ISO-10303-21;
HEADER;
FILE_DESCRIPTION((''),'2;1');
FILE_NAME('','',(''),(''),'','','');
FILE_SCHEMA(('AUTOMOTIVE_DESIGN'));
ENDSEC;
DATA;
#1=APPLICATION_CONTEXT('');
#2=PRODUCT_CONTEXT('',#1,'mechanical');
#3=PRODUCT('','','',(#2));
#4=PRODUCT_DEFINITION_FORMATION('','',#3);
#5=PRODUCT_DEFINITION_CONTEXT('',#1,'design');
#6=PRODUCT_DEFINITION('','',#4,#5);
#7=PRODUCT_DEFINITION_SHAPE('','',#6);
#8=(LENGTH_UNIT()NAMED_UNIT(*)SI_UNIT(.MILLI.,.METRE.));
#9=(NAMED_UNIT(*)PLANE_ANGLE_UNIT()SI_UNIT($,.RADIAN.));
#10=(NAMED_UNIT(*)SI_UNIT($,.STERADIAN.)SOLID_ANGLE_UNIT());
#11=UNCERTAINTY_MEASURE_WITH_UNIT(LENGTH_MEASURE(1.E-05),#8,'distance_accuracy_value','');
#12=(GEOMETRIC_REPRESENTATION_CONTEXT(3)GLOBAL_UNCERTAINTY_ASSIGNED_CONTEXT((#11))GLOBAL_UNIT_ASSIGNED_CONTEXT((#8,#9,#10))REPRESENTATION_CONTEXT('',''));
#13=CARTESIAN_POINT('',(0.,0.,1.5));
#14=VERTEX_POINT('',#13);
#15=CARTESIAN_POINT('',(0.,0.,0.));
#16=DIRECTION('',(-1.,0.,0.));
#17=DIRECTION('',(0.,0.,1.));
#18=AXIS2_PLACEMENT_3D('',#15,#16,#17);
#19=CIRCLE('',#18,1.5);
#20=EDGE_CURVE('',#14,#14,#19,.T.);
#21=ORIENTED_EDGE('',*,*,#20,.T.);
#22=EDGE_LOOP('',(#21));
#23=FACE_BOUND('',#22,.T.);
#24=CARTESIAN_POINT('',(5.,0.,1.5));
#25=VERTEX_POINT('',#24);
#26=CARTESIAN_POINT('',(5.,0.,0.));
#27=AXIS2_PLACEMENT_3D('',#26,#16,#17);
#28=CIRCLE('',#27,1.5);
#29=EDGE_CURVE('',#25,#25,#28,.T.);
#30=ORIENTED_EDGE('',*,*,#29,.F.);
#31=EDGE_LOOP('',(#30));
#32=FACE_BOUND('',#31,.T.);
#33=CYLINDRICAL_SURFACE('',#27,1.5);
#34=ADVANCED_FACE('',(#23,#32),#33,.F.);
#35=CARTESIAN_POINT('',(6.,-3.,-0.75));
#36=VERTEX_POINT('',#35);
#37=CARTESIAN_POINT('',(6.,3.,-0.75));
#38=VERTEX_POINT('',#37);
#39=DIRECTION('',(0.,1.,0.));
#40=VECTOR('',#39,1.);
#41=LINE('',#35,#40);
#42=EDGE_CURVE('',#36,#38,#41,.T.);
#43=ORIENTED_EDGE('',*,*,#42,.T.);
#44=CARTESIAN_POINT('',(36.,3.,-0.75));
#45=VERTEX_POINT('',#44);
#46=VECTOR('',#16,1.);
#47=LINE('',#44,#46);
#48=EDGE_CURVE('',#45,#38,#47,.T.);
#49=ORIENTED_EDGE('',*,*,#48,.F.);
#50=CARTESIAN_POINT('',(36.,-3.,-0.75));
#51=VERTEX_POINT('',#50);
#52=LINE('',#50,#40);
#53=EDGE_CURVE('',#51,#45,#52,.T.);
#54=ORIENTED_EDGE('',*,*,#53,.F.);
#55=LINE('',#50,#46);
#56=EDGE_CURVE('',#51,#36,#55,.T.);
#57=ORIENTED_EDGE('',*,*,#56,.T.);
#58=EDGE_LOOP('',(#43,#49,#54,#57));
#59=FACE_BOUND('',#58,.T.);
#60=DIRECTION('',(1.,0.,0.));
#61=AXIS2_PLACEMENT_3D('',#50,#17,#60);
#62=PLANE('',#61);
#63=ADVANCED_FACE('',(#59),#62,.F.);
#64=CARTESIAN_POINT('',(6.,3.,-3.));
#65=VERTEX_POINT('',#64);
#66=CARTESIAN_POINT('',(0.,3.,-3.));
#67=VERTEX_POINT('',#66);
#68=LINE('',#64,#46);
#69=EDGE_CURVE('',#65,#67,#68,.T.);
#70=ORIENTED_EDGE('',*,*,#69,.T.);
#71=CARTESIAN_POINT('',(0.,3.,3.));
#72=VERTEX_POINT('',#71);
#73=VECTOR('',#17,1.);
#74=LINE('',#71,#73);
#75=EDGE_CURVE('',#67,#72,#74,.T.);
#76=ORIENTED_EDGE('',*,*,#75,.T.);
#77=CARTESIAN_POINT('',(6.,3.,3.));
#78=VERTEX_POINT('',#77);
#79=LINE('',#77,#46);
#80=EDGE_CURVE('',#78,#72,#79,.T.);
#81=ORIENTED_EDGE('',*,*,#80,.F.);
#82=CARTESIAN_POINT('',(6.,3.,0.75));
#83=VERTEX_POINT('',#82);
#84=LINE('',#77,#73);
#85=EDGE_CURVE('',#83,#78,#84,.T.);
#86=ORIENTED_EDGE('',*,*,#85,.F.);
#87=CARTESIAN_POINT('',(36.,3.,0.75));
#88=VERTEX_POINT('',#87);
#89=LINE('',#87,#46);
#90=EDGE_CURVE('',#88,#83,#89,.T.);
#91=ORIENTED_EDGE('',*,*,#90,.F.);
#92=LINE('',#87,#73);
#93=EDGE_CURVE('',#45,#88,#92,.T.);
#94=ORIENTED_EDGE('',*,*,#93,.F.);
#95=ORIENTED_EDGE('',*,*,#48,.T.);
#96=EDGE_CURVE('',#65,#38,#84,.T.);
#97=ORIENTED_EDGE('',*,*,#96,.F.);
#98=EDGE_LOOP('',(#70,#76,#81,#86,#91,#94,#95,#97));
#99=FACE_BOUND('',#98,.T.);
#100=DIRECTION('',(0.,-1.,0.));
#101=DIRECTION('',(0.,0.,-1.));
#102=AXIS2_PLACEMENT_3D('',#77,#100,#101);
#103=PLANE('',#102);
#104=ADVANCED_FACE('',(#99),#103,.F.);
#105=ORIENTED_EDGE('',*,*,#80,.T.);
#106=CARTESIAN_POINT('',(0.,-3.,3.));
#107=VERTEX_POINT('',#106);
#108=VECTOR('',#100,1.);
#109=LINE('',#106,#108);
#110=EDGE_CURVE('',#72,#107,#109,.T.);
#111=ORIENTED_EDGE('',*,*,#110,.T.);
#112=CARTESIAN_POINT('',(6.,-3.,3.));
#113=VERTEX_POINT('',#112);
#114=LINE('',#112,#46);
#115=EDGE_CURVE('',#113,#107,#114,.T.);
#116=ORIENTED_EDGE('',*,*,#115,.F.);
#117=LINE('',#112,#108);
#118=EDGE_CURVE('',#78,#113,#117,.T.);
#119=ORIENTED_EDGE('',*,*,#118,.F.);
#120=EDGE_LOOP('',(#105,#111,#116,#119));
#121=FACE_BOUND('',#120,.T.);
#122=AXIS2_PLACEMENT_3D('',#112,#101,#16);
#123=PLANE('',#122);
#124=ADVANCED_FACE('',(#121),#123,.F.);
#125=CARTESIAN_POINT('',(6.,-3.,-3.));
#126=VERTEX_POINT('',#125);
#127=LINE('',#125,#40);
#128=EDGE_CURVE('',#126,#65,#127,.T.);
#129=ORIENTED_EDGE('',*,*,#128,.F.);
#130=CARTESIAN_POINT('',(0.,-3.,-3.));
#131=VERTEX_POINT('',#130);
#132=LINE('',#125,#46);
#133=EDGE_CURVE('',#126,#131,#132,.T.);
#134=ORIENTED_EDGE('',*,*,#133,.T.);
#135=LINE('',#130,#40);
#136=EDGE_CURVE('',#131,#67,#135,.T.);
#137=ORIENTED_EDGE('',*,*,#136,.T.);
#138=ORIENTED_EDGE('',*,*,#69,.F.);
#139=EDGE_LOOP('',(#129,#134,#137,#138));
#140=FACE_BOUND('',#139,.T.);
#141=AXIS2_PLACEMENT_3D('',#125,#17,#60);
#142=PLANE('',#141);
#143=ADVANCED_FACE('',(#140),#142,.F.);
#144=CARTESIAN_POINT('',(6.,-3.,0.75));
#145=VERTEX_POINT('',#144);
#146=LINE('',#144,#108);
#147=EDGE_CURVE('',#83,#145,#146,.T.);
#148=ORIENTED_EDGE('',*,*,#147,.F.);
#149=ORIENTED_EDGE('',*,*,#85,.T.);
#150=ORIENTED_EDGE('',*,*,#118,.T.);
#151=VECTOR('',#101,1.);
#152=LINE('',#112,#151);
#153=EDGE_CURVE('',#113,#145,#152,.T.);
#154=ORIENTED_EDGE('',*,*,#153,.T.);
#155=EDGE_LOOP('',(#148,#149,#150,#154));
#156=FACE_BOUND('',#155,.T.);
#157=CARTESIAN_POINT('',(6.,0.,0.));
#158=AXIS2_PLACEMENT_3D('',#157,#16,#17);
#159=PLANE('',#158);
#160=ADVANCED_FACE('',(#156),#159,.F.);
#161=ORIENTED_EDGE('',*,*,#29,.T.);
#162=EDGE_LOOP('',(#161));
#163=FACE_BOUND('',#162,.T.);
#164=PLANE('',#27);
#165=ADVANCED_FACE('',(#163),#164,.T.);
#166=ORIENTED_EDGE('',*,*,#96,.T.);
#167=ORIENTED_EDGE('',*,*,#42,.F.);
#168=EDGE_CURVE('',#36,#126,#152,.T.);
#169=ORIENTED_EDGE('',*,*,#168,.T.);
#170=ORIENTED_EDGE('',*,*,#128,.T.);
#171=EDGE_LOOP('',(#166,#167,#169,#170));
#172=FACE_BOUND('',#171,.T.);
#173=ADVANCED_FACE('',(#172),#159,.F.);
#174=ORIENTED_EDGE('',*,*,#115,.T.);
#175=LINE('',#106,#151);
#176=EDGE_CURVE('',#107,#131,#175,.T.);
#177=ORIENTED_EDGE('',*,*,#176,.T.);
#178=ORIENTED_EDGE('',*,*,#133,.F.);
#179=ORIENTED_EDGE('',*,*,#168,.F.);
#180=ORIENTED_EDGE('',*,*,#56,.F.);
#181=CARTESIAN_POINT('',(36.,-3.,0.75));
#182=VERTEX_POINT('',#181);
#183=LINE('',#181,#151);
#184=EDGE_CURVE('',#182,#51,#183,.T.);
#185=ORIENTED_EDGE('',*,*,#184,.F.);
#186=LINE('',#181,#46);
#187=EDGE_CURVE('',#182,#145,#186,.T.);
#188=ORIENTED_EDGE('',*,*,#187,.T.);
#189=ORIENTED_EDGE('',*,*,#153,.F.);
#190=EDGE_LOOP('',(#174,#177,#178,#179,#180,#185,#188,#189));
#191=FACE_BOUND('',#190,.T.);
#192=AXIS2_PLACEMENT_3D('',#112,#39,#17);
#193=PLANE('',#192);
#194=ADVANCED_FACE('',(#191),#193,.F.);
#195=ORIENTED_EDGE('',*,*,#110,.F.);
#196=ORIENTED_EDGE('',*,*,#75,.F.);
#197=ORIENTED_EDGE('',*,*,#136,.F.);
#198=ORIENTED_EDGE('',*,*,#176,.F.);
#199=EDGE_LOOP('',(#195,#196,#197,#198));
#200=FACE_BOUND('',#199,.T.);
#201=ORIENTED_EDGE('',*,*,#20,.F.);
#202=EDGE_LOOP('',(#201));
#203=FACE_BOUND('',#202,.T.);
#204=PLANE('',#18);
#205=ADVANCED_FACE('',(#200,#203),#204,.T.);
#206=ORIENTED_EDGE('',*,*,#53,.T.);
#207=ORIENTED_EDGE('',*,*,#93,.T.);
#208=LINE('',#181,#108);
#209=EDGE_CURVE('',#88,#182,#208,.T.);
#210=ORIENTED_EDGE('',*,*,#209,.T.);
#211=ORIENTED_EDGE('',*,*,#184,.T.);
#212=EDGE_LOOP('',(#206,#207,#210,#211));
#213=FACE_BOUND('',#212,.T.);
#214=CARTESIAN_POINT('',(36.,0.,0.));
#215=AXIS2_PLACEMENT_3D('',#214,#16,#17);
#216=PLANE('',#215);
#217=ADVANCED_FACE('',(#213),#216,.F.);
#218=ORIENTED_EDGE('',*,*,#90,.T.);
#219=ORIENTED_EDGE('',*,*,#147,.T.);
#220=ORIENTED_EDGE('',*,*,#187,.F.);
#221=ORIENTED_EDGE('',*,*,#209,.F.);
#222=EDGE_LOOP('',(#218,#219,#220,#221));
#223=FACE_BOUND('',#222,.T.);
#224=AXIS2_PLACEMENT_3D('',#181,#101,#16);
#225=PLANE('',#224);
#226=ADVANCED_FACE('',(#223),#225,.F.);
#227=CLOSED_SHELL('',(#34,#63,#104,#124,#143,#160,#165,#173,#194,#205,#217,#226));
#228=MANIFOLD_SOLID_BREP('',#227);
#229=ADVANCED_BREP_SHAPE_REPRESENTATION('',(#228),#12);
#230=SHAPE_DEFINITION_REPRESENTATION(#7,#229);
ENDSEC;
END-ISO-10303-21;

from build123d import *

# Parameters (mm, degrees)
SKETCH1_W           = 6
SKETCH1_H           = 6
BOSS_EXTRUDE1_DEPTH = 6
SKETCH2_W           = 1.5
SKETCH2_H           = 6
BOSS_EXTRUDE2_DEPTH = 30
SKETCH3_R           = 1.5
CUT_EXTRUDE1_DEPTH  = 5


with BuildPart() as part:
    # Sketch1 → Boss-Extrude1 (new body)
    with BuildSketch(Plane(origin=(0, 0, 0), x_dir=(0, 0, -1), z_dir=(1, 0, 0))):
        Rectangle(SKETCH1_W, SKETCH1_H)
    extrude(amount=BOSS_EXTRUDE1_DEPTH)

    # Sketch2 → Boss-Extrude2 (add)
    with BuildSketch(Plane(origin=(6, 0, 0), x_dir=(0, 0, -1), z_dir=(1, 0, 0))):
        Rectangle(SKETCH2_W, SKETCH2_H)
    extrude(amount=BOSS_EXTRUDE2_DEPTH)

    # Sketch3 → Cut-Extrude1 (cut)
    with BuildSketch(Plane.ZY):
        Circle(SKETCH3_R)
    extrude(amount=-CUT_EXTRUDE1_DEPTH, mode=Mode.SUBTRACT)


solid = part.part
